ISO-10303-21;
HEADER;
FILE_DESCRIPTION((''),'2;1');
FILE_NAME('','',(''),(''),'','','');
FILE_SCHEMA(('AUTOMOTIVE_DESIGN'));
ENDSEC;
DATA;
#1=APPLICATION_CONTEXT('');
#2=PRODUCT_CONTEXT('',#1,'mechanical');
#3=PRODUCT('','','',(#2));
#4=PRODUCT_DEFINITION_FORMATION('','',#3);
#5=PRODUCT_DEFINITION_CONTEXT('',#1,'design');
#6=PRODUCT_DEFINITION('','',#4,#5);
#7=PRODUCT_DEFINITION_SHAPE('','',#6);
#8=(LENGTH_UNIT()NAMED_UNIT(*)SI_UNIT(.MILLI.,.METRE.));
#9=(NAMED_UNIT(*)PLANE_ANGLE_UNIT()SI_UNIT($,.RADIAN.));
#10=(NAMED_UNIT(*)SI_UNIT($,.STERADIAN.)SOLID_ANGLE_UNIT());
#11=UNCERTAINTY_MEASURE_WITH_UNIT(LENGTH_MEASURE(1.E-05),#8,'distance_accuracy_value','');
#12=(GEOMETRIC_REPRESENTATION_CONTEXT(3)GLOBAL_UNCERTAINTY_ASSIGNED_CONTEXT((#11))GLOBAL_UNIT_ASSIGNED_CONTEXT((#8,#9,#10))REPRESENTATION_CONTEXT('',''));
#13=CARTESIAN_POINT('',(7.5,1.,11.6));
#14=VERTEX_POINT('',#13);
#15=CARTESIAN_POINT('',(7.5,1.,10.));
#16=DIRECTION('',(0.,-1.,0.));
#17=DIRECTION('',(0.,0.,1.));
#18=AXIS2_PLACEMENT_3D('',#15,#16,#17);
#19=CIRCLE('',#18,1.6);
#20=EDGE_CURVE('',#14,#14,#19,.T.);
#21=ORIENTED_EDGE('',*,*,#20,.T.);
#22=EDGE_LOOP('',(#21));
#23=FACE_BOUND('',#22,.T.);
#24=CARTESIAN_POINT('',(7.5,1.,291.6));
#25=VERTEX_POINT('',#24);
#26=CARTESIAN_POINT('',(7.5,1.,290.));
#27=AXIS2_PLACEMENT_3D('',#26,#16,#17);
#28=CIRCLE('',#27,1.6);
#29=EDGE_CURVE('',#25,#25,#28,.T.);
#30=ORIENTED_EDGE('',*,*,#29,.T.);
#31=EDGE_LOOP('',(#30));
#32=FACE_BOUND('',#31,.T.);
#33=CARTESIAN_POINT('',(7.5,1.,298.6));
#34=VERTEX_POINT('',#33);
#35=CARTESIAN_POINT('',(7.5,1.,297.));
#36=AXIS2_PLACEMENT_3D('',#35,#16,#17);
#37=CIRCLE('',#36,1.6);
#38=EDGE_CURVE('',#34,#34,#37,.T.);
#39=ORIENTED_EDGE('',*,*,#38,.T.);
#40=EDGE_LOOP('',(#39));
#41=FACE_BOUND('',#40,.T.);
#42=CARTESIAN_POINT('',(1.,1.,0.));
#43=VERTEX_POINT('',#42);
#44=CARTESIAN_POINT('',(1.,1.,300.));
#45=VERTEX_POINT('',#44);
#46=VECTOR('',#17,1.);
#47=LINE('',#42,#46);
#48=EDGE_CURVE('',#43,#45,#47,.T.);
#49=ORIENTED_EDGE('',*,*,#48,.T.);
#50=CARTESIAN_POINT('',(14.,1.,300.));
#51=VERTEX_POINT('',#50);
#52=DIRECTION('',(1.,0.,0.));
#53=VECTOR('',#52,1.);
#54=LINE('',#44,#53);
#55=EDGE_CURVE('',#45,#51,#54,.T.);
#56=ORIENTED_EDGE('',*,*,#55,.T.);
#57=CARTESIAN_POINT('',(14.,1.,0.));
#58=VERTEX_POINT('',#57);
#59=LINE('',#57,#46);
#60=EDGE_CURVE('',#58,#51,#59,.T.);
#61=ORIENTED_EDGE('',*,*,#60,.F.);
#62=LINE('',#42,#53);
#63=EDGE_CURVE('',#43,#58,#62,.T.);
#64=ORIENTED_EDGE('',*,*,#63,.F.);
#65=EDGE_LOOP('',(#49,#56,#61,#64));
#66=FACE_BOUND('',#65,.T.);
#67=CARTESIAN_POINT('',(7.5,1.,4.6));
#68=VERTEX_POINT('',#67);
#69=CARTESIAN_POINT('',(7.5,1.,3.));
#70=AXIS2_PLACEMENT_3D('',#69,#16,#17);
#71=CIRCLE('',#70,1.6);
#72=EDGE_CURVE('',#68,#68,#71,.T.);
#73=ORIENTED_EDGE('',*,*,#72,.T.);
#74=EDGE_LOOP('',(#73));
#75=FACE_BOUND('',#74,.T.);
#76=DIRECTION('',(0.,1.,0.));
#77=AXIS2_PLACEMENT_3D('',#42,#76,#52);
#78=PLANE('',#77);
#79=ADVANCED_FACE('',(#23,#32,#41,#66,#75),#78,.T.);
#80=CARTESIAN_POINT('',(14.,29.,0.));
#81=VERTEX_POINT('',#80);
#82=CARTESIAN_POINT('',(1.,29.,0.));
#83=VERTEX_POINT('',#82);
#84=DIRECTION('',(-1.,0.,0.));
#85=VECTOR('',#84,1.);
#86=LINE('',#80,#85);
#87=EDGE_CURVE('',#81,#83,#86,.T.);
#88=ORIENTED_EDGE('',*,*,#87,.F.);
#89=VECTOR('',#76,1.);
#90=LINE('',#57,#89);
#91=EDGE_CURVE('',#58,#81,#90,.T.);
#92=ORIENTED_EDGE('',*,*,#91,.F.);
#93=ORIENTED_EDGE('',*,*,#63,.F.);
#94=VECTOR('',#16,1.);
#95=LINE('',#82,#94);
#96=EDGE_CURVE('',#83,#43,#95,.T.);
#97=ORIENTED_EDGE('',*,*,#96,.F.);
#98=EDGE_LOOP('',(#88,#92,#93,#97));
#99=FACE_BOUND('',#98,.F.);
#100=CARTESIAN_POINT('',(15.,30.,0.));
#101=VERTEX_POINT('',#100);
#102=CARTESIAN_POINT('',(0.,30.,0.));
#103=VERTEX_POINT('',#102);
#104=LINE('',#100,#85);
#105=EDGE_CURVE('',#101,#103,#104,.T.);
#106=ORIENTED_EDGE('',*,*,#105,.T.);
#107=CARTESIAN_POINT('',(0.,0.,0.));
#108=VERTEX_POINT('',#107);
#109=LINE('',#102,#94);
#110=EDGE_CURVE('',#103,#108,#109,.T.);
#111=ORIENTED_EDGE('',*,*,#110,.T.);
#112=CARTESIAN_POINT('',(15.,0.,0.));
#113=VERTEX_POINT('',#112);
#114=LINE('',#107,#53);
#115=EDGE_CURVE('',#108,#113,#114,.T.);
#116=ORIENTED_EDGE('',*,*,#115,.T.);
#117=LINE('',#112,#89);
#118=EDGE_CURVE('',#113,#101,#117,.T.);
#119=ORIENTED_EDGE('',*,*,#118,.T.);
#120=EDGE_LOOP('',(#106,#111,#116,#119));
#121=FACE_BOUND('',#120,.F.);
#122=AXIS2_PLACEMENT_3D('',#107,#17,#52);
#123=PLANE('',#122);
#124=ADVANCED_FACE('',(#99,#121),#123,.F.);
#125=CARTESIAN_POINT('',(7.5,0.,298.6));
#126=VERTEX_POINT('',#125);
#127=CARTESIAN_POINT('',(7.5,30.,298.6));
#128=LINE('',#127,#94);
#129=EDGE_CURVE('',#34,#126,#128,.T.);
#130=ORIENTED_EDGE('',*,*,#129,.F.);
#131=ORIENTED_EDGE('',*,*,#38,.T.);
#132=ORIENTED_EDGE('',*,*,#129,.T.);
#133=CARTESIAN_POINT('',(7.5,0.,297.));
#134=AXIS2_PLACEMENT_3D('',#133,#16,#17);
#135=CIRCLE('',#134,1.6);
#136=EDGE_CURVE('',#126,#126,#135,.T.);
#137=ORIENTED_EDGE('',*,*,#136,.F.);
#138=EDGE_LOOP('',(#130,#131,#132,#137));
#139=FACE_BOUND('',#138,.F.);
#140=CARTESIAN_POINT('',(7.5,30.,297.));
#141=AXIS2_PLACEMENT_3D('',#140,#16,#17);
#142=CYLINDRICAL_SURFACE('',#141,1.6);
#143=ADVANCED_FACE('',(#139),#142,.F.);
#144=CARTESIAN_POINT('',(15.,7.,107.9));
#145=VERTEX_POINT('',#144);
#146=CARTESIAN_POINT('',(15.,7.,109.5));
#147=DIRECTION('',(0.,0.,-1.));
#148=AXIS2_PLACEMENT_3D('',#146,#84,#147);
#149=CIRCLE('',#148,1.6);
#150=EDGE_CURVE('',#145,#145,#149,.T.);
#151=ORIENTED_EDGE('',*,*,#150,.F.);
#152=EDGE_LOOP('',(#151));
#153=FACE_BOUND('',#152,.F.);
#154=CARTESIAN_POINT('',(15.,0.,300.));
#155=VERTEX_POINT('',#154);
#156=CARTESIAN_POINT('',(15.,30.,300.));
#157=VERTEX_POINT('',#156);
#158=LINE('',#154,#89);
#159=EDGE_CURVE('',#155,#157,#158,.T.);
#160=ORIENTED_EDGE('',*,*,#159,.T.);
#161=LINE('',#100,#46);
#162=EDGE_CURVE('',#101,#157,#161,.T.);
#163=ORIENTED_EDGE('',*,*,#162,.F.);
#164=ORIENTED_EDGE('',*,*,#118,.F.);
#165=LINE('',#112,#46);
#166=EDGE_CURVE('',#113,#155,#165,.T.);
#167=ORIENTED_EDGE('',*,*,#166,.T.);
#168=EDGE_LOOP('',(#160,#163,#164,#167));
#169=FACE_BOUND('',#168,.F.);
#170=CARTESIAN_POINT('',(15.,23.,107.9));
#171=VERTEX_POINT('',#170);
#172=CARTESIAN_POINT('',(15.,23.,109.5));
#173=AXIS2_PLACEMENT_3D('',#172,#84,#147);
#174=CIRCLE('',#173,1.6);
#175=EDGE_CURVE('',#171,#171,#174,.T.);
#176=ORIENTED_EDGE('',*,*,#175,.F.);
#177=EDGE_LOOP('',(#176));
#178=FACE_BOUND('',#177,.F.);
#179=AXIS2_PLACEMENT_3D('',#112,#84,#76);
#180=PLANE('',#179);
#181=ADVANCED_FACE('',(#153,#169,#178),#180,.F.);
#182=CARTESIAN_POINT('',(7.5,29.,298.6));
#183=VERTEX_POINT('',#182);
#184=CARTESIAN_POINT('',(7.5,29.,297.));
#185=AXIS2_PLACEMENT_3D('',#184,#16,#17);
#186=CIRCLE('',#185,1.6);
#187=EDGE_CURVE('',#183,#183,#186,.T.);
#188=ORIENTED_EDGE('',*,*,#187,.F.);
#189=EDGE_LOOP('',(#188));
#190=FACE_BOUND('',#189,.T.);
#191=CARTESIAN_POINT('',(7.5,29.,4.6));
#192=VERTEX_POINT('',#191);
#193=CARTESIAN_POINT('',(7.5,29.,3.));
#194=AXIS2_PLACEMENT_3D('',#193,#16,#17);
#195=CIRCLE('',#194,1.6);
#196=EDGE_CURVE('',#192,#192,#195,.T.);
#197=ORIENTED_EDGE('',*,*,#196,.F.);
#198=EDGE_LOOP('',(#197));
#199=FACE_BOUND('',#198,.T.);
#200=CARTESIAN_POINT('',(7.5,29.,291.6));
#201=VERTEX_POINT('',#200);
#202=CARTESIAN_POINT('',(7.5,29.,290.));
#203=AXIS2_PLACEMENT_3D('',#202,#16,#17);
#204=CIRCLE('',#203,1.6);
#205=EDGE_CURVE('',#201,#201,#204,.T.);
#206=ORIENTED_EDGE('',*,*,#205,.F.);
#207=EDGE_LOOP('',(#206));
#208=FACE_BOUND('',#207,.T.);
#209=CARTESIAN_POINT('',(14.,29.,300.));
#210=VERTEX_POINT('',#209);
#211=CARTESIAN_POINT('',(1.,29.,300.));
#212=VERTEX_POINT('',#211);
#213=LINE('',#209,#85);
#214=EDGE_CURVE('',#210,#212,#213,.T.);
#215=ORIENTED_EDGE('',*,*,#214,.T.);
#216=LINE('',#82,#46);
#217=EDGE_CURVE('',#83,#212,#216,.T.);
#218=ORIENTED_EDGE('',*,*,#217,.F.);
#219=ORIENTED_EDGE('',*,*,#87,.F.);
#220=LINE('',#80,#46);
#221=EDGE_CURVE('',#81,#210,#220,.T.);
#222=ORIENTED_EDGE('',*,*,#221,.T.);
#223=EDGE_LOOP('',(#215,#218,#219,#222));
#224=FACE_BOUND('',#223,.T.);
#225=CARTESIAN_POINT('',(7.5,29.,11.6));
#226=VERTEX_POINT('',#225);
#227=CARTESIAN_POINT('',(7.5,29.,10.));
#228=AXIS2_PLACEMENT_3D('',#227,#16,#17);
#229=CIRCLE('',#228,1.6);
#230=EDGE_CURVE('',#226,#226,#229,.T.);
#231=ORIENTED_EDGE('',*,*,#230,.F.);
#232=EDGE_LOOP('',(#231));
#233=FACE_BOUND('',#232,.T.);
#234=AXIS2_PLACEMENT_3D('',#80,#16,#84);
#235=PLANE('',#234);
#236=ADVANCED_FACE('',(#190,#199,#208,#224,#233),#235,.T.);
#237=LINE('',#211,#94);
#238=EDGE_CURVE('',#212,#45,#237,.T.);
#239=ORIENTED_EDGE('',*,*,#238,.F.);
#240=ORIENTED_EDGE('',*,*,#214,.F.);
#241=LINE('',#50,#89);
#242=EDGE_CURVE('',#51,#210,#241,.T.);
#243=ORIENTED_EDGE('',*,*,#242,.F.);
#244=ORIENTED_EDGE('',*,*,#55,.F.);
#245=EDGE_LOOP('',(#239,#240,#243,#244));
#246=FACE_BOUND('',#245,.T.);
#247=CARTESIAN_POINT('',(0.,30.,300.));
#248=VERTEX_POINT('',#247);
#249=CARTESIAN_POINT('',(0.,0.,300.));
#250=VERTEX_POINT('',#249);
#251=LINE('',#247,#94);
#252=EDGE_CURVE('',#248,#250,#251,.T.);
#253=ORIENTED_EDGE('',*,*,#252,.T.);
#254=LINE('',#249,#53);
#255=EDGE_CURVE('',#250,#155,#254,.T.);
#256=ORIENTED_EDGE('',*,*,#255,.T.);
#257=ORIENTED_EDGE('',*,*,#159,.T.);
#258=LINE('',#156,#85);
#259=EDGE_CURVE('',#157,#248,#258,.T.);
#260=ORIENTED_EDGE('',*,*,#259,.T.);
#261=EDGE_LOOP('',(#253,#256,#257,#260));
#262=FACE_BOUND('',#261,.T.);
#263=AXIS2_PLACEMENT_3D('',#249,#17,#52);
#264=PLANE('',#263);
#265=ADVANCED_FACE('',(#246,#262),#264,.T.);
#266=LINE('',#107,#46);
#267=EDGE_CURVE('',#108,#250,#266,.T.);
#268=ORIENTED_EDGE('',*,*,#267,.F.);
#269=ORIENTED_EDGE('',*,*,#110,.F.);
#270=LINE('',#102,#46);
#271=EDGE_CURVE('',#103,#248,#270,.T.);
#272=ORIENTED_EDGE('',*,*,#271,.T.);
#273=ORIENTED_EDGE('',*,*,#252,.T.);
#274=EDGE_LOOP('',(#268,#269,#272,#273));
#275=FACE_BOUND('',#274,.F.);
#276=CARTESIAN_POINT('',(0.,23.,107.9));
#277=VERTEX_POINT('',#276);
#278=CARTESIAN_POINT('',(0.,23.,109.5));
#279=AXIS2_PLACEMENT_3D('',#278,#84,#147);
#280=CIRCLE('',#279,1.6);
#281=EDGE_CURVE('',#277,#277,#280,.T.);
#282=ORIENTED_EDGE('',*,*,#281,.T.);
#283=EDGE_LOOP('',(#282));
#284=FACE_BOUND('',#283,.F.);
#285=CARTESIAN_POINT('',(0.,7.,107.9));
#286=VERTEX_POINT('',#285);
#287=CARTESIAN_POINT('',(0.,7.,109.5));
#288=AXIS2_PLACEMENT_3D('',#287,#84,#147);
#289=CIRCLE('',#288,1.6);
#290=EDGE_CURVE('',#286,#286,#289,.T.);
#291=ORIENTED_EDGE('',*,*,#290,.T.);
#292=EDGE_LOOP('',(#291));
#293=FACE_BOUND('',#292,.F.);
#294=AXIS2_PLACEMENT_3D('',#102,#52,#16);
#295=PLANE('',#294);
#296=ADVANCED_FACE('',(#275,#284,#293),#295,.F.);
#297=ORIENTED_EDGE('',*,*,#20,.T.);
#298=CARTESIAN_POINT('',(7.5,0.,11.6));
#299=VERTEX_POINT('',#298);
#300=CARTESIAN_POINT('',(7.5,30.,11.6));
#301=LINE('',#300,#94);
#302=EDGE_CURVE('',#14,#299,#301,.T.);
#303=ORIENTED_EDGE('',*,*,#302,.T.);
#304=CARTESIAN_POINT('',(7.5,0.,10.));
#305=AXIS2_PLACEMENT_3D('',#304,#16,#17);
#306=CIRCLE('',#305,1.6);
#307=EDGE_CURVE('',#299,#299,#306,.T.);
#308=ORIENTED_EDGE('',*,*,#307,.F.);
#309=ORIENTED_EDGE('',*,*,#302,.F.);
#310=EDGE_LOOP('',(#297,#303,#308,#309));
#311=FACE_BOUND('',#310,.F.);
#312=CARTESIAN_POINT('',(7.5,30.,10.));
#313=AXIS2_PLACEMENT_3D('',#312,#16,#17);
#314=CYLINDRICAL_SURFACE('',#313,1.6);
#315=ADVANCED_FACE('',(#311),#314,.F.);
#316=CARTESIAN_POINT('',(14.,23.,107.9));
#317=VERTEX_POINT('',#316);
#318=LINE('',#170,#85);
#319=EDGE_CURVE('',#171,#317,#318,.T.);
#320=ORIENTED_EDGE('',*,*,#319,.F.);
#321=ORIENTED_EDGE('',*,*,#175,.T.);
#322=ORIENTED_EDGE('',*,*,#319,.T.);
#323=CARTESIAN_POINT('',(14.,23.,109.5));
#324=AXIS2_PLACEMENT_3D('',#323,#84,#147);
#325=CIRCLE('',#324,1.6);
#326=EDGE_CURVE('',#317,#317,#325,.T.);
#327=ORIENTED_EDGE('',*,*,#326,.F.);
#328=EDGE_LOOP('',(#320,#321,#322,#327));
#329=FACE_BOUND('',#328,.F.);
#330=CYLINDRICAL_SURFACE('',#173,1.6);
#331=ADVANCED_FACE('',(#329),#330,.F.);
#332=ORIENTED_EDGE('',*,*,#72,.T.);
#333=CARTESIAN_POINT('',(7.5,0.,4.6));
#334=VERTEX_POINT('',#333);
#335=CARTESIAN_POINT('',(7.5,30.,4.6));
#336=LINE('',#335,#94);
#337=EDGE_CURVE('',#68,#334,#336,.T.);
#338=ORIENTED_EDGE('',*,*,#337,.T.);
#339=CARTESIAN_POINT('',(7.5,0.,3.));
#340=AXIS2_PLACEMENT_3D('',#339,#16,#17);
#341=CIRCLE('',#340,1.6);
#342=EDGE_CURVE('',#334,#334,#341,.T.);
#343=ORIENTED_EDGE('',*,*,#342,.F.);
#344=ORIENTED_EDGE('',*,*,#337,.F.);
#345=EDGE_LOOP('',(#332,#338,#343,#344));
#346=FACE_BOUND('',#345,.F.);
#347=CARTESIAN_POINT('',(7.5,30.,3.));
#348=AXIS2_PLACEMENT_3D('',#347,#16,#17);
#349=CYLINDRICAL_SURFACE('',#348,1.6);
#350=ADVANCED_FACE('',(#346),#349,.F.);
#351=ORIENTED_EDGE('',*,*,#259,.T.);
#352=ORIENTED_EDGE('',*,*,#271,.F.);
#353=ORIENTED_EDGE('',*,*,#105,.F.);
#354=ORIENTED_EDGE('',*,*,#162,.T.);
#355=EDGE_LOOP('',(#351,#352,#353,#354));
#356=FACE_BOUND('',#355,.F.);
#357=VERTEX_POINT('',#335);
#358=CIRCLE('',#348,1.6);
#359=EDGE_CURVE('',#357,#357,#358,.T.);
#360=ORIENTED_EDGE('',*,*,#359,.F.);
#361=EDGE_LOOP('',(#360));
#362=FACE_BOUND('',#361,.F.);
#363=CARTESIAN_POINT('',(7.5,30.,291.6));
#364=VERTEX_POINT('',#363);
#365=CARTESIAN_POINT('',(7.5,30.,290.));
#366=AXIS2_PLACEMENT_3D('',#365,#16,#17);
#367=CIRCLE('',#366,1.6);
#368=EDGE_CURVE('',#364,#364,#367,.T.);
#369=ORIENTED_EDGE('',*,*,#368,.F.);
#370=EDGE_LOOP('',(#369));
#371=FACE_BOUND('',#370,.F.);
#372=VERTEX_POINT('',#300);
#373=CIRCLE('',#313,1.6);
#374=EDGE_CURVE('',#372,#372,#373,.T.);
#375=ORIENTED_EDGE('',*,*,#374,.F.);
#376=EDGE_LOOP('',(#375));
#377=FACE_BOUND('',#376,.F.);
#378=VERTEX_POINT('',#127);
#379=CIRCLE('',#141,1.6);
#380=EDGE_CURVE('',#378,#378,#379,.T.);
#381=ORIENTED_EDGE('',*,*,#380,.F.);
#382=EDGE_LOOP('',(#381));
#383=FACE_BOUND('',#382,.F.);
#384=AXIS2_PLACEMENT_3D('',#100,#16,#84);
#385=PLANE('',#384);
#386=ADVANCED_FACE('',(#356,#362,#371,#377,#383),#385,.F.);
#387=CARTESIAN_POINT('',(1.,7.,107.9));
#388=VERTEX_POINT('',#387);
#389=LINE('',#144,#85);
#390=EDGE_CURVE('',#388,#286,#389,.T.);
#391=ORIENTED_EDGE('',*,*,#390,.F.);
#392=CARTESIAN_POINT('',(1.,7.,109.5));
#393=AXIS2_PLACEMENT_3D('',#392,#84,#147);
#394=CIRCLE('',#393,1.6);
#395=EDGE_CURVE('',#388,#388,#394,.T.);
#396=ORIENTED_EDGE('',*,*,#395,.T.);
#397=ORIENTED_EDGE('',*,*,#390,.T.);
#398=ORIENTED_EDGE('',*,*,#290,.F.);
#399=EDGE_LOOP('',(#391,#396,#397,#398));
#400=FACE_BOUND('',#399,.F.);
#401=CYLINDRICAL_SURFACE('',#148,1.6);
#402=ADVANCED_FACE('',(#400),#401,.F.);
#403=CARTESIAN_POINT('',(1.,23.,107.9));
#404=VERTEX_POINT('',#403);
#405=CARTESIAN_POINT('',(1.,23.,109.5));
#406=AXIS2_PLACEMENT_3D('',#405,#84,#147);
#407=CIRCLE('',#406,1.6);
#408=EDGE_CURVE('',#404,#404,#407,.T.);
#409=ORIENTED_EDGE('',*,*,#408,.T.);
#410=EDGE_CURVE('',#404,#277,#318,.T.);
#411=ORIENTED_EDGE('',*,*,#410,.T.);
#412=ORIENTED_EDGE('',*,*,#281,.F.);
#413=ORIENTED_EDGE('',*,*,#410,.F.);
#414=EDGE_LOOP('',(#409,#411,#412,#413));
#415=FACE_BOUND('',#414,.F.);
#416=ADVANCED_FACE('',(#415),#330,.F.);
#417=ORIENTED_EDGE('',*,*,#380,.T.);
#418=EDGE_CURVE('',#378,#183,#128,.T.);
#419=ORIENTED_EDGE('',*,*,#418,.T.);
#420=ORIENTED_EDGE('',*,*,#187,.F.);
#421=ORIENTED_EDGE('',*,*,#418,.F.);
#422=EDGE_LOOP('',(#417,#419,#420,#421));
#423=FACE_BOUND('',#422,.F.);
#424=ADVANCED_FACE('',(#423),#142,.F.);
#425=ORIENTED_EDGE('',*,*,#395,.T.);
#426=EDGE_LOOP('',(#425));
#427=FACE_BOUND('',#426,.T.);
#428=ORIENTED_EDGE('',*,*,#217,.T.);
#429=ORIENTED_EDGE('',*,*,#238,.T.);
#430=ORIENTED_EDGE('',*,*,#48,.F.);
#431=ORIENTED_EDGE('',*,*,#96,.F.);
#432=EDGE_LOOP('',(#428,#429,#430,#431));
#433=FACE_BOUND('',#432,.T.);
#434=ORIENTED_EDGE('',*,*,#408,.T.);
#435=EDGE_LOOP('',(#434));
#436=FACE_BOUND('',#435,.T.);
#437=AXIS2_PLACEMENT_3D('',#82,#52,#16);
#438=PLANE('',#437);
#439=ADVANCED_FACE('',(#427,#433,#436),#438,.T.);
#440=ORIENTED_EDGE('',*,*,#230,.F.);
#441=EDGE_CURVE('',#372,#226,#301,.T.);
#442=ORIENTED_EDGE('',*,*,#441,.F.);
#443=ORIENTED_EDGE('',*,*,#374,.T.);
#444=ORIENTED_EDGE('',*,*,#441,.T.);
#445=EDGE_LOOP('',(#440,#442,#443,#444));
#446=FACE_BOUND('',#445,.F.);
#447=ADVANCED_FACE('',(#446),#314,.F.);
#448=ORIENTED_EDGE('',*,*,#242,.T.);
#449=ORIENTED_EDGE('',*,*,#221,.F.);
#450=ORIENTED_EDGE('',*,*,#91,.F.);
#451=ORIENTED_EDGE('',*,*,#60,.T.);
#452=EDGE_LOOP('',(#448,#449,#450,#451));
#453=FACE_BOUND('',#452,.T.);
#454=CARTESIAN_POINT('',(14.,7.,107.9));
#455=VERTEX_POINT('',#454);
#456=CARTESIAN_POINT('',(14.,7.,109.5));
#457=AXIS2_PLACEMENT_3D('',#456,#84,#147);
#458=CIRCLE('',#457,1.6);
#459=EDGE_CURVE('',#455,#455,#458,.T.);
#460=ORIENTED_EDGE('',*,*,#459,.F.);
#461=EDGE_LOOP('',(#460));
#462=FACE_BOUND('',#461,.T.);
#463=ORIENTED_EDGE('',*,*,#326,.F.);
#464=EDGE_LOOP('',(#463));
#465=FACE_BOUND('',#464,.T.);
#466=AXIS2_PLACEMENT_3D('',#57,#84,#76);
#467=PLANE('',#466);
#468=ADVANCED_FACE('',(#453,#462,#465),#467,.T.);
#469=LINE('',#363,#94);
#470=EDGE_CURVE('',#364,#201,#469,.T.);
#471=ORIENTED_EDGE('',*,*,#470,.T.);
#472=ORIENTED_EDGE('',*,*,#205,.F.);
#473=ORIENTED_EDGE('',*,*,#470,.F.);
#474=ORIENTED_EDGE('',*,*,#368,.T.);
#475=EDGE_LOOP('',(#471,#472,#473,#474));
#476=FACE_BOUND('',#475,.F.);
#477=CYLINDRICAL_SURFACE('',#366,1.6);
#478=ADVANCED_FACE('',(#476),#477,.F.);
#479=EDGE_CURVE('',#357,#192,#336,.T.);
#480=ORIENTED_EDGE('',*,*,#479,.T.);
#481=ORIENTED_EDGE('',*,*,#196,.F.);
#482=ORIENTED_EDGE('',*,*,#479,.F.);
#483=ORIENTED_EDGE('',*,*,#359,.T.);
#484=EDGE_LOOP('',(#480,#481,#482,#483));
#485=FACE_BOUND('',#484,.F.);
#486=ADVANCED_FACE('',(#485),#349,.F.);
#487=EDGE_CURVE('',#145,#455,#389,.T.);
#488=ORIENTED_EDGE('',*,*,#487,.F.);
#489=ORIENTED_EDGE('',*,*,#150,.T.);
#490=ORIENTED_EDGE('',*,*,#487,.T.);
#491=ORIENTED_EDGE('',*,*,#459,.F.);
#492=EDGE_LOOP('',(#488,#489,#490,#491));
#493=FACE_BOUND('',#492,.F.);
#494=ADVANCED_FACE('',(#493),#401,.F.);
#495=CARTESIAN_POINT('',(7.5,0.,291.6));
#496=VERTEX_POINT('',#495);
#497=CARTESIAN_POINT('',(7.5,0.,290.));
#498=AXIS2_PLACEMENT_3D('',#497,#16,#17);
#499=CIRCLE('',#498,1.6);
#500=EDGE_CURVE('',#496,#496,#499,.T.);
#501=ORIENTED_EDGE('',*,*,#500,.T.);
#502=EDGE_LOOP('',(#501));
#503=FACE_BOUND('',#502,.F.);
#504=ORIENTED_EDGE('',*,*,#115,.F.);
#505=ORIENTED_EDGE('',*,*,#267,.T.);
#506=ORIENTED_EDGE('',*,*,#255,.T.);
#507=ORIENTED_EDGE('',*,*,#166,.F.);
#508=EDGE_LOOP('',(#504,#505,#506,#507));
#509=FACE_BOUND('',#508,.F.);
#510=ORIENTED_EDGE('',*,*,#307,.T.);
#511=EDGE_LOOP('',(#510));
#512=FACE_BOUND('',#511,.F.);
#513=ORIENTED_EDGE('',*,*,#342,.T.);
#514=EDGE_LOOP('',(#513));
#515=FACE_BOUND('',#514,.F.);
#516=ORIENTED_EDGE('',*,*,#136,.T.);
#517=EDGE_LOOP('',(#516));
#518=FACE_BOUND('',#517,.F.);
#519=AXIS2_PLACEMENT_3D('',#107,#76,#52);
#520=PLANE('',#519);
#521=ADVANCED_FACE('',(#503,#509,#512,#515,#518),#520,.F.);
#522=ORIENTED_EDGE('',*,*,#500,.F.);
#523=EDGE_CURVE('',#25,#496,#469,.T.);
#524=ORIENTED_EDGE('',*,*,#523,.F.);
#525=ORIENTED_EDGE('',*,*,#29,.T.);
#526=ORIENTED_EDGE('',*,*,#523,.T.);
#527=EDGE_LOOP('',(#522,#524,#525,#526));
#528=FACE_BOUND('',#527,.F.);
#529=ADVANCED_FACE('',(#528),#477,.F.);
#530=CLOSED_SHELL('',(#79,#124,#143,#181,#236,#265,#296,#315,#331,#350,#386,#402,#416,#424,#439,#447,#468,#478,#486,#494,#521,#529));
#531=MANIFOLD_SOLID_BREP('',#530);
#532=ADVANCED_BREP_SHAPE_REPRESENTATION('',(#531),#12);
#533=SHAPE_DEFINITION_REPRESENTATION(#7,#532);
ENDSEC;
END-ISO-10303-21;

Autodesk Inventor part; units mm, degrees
ref_plane "YZ Plane" through (0, 0, 0) normal (1, 0, 0) x (0, 1, 0)
ref_plane "XZ Plane" through (0, 0, 0) normal (0, 1, 0) x (-1, 0, 0)
ref_plane "XY Plane" through (0, 0, 0) normal (0, 0, 1) x (1, 0, 0)
sketch "スケッチ1" plane through (0, 0, 0) normal (0, 0, 1) x (1, 0, 0)
  line L0 (0, 0) -> (15, 0)
  line L1 (15, 0) -> (15, 30)
  line L2 (15, 30) -> (0, 30)
  line L3 (0, 30) -> (0, 0)
  line L4 (1, 1) -> (14, 1)
  line L5 (14, 1) -> (14, 29)
  line L6 (14, 29) -> (1, 29)
  line L7 (1, 29) -> (1, 1)
  dimension "d0" = 15
  dimension "d1" = 30
  dimension "d2" = 13
  dimension "d3" = 28
  dimension "d4" = 1
  dimension "d5" = 1
extrude "押し出し1" add sketch "スケッチ1" along normal blind 300
sketch "スケッチ2" plane through (0, 30, 0) normal (0, 1, 0) x (1, 0, 0)
  circle A0 centre (7.5, -3) radius 1.6
  line L0 (15, 0) -> (15, -300) projected
  line L1 (15, 0) -> (0, 0) projected
  circle A1 centre (7.5, -10) radius 1.6
  line L2 (0, -150) -> (15, -150) construction
  line L3 (15, -300) -> (0, -300) projected
  circle A2 centre (7.5, -297) radius 1.6
  circle A3 centre (7.5, -290) radius 1.6
  dimension "d8" = 3.2
  dimension "d9" = 7.5
  dimension "d10" = 3
  dimension "d11" = 3.2
  dimension "d12" = 7
  dimension "d13" = 7.5
  dimension "d14" = 150
hole "穴1" at (7.5, 30, 297) at (7.5, 30, 290) at (7.5, 30, 10) at (7.5, 30, 3) direction (0, -1, 0) diameter 3.2 depth 30
sketch "スケッチ3" plane through (15, 0, 0) normal (1, 0, 0) x (0, 0, -1)
  circle A0 centre (-109.5, 23) radius 1.6
  line L0 (0, 0) -> (0, 30) projected
  line L1 (0, 30) -> (-300, 30) projected
  circle A1 centre (-109.5, 7) radius 1.6
  line L2 (0, 0) -> (-300, 0) projected
  dimension "d22" = 3.2
  dimension "d23" = 109.5
  dimension "d24" = 7
  dimension "d25" = 3.2
  dimension "d26" = 16
  dimension "d27" = 7
hole "穴2" at (15, 23, 109.5) at (15, 7, 109.5) direction (-1, 0, 0) diameter 3.2 depth 15
equation "\"BendRadius\" = Thickness"
equation "\"BendReliefWidth\" = Thickness"
equation "\"BendReliefDepth\" = 0.5 * Thickness"
equation "\"CornerReliefSize\" = 4 * Thickness"
equation "\"MinimumRemnant\" = 2 * Thickness"
equation "\"TransitionRadius\" = BendRadius"
equation "\"JacobiRadiusSize\" = BendRadius"
equation "\"GapSize\" = Thickness"
equation "\"Thickness\" = 0.5"
properties part number "nhk48"
